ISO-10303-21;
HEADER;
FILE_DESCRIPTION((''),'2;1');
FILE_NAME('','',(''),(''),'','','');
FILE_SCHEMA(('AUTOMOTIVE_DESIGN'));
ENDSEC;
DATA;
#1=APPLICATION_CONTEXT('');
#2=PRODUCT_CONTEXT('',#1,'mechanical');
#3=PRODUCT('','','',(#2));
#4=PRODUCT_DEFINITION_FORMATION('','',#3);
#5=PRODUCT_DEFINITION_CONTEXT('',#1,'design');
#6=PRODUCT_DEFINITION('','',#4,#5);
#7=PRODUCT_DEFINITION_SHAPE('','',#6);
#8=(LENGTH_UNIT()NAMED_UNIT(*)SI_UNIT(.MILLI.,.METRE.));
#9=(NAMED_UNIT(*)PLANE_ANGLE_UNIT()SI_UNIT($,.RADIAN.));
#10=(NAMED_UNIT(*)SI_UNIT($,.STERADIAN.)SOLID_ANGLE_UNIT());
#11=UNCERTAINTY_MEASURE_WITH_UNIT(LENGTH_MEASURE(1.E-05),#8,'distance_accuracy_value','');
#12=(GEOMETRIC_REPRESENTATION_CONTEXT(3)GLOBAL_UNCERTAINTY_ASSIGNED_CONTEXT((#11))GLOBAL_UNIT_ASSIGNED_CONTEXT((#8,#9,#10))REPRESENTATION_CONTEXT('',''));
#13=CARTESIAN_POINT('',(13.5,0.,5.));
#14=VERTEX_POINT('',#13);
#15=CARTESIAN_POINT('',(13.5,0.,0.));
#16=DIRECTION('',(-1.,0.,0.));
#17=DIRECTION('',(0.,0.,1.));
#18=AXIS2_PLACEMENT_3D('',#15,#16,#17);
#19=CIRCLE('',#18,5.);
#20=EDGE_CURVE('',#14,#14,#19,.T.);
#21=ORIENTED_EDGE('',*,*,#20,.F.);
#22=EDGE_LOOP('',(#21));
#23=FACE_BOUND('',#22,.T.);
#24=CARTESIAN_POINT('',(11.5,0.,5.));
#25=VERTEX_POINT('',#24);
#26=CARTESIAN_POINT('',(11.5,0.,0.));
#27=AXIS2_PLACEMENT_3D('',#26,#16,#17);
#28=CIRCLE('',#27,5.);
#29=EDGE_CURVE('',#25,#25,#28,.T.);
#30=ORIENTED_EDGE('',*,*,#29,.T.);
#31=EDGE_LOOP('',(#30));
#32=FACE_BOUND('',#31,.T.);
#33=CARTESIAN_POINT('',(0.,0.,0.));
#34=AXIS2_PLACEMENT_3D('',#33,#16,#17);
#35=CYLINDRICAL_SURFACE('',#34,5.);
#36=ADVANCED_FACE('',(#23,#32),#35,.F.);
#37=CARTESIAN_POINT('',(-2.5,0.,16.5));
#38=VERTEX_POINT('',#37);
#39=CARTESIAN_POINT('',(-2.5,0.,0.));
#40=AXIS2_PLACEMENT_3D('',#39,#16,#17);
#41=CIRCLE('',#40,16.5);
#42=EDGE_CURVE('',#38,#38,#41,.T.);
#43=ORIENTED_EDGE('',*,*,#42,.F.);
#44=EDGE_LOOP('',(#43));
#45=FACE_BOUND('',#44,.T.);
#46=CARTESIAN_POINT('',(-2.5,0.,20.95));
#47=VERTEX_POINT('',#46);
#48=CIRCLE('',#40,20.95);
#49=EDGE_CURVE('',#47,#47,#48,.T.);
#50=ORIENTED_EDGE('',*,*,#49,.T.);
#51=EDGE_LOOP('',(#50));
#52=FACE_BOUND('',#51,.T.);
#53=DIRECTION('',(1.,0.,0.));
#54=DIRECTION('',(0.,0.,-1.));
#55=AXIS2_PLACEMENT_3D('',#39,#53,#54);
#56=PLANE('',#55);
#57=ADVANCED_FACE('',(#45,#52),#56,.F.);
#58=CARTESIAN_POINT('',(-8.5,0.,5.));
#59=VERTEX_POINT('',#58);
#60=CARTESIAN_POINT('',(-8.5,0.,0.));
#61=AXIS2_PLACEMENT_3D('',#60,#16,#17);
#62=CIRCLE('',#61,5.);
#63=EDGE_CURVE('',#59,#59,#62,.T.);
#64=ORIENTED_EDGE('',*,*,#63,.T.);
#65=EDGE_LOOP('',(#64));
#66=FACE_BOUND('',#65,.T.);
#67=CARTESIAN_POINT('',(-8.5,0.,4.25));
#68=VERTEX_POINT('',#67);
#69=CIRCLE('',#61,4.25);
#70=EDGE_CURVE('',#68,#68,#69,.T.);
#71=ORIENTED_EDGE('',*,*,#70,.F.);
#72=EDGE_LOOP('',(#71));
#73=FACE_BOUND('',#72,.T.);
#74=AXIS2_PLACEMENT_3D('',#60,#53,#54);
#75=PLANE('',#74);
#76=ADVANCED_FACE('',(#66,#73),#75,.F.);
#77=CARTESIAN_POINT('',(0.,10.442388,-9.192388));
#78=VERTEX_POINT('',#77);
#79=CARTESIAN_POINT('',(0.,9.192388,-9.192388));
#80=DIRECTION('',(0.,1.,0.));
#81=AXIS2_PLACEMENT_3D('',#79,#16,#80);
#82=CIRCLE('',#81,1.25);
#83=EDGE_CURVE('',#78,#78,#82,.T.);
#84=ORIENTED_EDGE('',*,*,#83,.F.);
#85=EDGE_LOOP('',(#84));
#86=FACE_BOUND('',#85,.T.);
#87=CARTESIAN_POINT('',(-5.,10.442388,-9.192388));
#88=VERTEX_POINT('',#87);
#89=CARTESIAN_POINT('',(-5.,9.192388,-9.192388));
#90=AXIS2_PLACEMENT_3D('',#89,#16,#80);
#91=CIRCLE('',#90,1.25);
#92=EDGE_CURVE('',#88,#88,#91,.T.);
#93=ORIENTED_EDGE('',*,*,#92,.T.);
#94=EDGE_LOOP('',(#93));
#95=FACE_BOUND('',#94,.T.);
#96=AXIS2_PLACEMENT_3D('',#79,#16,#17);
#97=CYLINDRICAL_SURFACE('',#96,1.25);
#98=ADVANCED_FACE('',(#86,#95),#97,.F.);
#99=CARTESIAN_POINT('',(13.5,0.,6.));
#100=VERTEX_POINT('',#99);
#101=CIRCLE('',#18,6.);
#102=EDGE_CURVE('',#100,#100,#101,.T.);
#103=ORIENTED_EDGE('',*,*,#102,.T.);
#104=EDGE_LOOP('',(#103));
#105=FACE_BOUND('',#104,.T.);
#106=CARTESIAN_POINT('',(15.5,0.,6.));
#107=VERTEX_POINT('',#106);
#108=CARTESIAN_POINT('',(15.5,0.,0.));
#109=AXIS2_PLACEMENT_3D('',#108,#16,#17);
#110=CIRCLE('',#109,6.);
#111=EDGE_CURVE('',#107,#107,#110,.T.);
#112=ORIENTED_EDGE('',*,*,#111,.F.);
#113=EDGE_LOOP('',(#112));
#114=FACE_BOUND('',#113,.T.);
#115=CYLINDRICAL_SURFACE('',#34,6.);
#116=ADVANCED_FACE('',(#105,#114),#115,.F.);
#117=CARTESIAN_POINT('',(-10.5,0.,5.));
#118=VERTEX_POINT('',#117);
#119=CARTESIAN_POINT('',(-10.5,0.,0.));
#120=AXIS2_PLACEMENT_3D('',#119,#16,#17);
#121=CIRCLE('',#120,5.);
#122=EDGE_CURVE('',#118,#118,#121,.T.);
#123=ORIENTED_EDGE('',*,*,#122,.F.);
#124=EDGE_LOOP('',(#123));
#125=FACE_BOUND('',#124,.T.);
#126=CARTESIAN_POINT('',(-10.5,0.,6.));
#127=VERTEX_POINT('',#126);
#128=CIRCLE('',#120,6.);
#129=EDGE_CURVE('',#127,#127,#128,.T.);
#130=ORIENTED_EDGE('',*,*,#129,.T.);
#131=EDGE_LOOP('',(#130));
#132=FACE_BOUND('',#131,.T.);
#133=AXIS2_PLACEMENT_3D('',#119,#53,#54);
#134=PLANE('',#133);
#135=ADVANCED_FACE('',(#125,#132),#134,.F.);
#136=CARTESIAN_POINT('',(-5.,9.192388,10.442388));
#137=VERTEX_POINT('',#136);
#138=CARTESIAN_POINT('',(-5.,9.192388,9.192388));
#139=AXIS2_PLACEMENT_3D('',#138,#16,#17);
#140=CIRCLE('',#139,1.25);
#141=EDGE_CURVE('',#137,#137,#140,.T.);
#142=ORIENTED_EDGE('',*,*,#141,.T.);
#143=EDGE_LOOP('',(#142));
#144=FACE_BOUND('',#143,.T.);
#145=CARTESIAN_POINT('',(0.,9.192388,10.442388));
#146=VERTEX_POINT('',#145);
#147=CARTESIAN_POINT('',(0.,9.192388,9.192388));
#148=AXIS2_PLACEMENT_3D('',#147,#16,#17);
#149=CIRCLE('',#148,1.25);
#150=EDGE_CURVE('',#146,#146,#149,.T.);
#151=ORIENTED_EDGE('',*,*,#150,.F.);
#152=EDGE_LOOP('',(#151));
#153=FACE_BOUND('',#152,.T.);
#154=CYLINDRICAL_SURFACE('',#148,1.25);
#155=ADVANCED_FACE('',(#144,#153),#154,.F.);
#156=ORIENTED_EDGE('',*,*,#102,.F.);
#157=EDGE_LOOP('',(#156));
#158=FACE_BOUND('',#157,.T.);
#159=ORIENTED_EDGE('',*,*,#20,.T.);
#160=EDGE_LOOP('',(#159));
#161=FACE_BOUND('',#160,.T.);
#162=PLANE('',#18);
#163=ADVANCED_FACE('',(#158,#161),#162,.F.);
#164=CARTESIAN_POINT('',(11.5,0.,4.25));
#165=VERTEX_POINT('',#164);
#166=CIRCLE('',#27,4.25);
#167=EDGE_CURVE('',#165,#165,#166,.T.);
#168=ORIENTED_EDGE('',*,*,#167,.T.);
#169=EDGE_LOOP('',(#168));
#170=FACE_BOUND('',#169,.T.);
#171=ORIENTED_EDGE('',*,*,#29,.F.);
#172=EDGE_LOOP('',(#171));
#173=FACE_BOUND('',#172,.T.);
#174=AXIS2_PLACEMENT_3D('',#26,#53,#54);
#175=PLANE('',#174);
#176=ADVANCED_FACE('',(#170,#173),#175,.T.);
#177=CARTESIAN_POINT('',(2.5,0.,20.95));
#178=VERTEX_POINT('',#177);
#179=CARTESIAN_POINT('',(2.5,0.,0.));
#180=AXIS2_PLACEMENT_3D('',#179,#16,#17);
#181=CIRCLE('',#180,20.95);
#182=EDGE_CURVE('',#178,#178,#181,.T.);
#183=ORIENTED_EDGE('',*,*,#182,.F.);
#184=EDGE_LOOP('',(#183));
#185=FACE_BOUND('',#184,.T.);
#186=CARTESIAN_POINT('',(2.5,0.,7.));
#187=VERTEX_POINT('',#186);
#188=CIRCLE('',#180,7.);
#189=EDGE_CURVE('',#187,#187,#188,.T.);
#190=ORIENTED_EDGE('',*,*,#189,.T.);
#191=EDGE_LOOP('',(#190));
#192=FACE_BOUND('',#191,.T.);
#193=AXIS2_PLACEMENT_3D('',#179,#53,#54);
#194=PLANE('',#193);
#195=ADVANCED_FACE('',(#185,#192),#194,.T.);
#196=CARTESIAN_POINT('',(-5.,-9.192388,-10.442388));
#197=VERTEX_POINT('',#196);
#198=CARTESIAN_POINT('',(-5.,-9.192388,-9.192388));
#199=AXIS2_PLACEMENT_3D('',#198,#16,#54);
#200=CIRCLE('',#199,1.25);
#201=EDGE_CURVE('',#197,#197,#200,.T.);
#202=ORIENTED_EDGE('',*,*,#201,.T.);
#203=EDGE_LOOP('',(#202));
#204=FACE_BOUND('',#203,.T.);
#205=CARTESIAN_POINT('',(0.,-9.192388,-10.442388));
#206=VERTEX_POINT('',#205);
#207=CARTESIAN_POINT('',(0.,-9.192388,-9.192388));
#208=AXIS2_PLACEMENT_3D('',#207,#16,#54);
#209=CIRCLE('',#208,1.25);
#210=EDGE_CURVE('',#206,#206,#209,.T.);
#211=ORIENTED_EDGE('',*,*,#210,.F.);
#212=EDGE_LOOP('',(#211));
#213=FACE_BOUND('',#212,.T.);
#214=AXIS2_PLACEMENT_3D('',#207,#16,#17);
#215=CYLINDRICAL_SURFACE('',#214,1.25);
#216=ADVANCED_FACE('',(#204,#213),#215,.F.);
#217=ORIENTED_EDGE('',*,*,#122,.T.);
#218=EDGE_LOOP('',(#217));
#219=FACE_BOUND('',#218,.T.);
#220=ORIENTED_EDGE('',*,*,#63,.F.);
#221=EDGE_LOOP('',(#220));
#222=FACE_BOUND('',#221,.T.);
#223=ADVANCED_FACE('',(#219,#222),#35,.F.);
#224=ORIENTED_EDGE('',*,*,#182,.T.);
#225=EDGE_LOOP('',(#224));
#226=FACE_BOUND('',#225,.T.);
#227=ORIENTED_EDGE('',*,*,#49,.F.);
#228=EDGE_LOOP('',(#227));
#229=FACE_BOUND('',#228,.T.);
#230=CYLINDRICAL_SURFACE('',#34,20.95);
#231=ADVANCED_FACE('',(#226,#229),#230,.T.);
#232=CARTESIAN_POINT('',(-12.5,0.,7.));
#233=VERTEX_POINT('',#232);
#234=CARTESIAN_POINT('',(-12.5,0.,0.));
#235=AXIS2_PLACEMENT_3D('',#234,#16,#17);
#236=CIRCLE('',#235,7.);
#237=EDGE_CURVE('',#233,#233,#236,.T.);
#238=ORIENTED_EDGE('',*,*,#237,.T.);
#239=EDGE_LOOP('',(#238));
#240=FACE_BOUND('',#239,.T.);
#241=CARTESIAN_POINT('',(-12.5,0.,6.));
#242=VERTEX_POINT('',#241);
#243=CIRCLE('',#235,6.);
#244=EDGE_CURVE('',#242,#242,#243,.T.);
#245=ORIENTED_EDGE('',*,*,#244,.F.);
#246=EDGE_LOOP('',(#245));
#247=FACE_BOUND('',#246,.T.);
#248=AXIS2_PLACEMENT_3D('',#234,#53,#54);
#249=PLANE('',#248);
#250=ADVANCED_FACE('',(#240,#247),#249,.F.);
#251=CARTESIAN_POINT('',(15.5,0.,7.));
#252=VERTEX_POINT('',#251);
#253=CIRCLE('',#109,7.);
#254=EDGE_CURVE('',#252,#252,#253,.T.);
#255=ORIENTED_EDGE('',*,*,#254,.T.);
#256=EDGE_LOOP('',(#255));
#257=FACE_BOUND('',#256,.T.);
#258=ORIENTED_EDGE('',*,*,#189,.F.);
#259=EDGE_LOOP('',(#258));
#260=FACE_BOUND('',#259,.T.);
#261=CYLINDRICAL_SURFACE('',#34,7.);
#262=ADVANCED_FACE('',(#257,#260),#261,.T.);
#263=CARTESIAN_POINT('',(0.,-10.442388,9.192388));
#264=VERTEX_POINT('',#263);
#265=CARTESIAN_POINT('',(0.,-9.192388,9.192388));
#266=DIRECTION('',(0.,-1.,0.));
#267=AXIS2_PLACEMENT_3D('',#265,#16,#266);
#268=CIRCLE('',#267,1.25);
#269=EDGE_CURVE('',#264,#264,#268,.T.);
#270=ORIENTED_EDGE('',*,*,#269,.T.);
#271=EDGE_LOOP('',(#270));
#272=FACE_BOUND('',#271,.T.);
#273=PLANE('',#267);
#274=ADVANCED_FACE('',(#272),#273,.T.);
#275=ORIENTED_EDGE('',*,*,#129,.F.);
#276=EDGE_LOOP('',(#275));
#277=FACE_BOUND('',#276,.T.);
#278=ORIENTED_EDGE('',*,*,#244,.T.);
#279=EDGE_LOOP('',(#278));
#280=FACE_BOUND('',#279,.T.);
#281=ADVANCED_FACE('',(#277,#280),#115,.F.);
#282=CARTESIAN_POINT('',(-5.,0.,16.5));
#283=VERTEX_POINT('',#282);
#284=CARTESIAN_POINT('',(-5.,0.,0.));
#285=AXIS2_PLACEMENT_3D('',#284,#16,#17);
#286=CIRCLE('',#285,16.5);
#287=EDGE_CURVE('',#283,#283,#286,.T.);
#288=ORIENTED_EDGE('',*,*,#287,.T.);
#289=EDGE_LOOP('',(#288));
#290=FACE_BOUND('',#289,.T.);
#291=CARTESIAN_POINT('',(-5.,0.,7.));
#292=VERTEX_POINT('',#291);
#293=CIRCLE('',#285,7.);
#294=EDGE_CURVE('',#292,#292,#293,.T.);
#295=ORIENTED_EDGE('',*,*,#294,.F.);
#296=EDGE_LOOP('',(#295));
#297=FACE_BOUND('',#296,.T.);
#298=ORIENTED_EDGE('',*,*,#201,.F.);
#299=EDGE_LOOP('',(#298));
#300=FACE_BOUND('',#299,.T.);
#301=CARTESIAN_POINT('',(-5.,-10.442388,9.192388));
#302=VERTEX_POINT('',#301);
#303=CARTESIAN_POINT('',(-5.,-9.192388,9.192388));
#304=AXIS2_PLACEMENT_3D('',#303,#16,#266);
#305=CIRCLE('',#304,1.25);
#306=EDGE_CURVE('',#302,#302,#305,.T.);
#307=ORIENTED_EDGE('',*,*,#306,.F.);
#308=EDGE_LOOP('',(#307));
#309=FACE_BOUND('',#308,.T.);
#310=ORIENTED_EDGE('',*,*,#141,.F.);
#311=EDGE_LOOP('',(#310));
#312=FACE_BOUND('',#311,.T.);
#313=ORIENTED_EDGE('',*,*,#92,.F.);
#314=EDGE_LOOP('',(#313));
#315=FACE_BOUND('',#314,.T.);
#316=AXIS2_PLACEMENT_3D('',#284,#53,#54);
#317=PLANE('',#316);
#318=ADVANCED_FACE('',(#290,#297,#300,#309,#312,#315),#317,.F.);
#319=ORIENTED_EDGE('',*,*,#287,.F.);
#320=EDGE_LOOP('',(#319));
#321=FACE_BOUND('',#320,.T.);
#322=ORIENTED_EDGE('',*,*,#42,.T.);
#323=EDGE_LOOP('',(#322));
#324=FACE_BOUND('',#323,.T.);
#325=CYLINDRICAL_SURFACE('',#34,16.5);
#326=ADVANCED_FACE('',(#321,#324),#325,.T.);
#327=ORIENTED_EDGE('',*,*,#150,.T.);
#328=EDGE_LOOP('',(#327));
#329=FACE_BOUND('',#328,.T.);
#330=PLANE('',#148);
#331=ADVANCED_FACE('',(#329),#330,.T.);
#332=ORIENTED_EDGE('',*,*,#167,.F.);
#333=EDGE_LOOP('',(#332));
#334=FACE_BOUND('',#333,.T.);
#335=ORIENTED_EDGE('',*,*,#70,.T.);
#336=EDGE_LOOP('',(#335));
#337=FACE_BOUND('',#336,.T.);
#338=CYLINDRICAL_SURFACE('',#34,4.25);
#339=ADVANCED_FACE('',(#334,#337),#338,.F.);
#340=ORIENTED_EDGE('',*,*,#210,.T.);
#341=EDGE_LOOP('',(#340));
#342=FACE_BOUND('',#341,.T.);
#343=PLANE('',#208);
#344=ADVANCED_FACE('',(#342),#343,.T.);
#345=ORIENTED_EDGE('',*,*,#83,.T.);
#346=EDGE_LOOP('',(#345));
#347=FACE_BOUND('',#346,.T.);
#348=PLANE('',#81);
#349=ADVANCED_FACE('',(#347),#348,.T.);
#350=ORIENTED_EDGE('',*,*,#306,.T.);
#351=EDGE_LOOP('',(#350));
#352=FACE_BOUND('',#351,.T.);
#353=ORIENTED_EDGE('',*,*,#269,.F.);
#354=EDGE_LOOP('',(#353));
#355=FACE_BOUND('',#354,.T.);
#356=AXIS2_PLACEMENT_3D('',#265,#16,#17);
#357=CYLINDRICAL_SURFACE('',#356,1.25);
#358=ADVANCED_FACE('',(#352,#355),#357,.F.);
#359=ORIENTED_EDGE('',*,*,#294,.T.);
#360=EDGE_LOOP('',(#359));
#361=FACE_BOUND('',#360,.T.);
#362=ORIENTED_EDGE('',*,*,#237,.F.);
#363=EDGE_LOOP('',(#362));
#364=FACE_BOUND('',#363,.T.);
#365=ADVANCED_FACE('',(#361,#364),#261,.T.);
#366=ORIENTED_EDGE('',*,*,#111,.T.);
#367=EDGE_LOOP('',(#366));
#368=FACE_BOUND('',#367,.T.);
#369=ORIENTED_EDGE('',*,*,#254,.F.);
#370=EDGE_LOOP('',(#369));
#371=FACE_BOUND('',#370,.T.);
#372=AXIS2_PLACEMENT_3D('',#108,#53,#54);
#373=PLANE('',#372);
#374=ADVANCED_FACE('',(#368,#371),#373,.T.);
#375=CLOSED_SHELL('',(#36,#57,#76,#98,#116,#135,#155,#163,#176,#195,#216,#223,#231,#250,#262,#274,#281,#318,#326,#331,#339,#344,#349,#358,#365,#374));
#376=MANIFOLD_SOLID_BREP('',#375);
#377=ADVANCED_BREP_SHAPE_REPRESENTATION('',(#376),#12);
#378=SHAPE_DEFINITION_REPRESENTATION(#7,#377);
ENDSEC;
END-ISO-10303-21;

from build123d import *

# Parameters (mm, degrees)
SKETCH2_R              = 1.25
CUT_EXTRUDE_M2_5_DEPTH = 5
CIRPATTERN1_COUNT      = 4


with BuildPart() as part:
    # Sketch1 → Revolve1 (revolve)
    with BuildSketch(Plane.XY, mode=Mode.PRIVATE) as revolve1_sk:
        Polygon((-8.5, 4.25), (-5, 4.25), (-5, 7), (-12.5, 7), (-12.5, 6), (-10.5, 6), (-10.5, 5), (-8.5, 5), align=None)
        Polygon((-2.5, 4.25), (-2.5, 16.5), (-5, 16.5), (-5, 7), (-5, 4.25), align=None)
        Polygon((2.5, 20.95), (-2.5, 20.95), (-2.5, 16.5), (-2.5, 4.25), (2.5, 4.25), (2.5, 7), align=None)
        Polygon((15.5, 7), (2.5, 7), (2.5, 4.25), (11.5, 4.25), (11.5, 5), (13.5, 5), (13.5, 6), (15.5, 6), align=None)
    revolve(revolve1_sk.sketch.rotate(Axis((0, 0, 0), (1, 0, 0)), 90), axis=Axis((0, 0, 0), (1, 0, 0)))

    # Sketch2 → Cut-Extrude M2.5 (cut)
    with BuildSketch(Plane.ZY.offset(5)):
        with Locations((9.192388155, 9.192388155)):
            Circle(SKETCH2_R)
    cut_extrude_m2_5 = extrude(amount=-CUT_EXTRUDE_M2_5_DEPTH, mode=Mode.SUBTRACT)

    # CirPattern1: Cut-Extrude M2.5 ×4 about axis
    cirpattern1_axis = Axis((0, 0, 0), (1, 0, 0))
    for i in range(1, CIRPATTERN1_COUNT):
        add(cut_extrude_m2_5.rotate(cirpattern1_axis, i * 360 / CIRPATTERN1_COUNT), mode=Mode.SUBTRACT)


solid = part.part
